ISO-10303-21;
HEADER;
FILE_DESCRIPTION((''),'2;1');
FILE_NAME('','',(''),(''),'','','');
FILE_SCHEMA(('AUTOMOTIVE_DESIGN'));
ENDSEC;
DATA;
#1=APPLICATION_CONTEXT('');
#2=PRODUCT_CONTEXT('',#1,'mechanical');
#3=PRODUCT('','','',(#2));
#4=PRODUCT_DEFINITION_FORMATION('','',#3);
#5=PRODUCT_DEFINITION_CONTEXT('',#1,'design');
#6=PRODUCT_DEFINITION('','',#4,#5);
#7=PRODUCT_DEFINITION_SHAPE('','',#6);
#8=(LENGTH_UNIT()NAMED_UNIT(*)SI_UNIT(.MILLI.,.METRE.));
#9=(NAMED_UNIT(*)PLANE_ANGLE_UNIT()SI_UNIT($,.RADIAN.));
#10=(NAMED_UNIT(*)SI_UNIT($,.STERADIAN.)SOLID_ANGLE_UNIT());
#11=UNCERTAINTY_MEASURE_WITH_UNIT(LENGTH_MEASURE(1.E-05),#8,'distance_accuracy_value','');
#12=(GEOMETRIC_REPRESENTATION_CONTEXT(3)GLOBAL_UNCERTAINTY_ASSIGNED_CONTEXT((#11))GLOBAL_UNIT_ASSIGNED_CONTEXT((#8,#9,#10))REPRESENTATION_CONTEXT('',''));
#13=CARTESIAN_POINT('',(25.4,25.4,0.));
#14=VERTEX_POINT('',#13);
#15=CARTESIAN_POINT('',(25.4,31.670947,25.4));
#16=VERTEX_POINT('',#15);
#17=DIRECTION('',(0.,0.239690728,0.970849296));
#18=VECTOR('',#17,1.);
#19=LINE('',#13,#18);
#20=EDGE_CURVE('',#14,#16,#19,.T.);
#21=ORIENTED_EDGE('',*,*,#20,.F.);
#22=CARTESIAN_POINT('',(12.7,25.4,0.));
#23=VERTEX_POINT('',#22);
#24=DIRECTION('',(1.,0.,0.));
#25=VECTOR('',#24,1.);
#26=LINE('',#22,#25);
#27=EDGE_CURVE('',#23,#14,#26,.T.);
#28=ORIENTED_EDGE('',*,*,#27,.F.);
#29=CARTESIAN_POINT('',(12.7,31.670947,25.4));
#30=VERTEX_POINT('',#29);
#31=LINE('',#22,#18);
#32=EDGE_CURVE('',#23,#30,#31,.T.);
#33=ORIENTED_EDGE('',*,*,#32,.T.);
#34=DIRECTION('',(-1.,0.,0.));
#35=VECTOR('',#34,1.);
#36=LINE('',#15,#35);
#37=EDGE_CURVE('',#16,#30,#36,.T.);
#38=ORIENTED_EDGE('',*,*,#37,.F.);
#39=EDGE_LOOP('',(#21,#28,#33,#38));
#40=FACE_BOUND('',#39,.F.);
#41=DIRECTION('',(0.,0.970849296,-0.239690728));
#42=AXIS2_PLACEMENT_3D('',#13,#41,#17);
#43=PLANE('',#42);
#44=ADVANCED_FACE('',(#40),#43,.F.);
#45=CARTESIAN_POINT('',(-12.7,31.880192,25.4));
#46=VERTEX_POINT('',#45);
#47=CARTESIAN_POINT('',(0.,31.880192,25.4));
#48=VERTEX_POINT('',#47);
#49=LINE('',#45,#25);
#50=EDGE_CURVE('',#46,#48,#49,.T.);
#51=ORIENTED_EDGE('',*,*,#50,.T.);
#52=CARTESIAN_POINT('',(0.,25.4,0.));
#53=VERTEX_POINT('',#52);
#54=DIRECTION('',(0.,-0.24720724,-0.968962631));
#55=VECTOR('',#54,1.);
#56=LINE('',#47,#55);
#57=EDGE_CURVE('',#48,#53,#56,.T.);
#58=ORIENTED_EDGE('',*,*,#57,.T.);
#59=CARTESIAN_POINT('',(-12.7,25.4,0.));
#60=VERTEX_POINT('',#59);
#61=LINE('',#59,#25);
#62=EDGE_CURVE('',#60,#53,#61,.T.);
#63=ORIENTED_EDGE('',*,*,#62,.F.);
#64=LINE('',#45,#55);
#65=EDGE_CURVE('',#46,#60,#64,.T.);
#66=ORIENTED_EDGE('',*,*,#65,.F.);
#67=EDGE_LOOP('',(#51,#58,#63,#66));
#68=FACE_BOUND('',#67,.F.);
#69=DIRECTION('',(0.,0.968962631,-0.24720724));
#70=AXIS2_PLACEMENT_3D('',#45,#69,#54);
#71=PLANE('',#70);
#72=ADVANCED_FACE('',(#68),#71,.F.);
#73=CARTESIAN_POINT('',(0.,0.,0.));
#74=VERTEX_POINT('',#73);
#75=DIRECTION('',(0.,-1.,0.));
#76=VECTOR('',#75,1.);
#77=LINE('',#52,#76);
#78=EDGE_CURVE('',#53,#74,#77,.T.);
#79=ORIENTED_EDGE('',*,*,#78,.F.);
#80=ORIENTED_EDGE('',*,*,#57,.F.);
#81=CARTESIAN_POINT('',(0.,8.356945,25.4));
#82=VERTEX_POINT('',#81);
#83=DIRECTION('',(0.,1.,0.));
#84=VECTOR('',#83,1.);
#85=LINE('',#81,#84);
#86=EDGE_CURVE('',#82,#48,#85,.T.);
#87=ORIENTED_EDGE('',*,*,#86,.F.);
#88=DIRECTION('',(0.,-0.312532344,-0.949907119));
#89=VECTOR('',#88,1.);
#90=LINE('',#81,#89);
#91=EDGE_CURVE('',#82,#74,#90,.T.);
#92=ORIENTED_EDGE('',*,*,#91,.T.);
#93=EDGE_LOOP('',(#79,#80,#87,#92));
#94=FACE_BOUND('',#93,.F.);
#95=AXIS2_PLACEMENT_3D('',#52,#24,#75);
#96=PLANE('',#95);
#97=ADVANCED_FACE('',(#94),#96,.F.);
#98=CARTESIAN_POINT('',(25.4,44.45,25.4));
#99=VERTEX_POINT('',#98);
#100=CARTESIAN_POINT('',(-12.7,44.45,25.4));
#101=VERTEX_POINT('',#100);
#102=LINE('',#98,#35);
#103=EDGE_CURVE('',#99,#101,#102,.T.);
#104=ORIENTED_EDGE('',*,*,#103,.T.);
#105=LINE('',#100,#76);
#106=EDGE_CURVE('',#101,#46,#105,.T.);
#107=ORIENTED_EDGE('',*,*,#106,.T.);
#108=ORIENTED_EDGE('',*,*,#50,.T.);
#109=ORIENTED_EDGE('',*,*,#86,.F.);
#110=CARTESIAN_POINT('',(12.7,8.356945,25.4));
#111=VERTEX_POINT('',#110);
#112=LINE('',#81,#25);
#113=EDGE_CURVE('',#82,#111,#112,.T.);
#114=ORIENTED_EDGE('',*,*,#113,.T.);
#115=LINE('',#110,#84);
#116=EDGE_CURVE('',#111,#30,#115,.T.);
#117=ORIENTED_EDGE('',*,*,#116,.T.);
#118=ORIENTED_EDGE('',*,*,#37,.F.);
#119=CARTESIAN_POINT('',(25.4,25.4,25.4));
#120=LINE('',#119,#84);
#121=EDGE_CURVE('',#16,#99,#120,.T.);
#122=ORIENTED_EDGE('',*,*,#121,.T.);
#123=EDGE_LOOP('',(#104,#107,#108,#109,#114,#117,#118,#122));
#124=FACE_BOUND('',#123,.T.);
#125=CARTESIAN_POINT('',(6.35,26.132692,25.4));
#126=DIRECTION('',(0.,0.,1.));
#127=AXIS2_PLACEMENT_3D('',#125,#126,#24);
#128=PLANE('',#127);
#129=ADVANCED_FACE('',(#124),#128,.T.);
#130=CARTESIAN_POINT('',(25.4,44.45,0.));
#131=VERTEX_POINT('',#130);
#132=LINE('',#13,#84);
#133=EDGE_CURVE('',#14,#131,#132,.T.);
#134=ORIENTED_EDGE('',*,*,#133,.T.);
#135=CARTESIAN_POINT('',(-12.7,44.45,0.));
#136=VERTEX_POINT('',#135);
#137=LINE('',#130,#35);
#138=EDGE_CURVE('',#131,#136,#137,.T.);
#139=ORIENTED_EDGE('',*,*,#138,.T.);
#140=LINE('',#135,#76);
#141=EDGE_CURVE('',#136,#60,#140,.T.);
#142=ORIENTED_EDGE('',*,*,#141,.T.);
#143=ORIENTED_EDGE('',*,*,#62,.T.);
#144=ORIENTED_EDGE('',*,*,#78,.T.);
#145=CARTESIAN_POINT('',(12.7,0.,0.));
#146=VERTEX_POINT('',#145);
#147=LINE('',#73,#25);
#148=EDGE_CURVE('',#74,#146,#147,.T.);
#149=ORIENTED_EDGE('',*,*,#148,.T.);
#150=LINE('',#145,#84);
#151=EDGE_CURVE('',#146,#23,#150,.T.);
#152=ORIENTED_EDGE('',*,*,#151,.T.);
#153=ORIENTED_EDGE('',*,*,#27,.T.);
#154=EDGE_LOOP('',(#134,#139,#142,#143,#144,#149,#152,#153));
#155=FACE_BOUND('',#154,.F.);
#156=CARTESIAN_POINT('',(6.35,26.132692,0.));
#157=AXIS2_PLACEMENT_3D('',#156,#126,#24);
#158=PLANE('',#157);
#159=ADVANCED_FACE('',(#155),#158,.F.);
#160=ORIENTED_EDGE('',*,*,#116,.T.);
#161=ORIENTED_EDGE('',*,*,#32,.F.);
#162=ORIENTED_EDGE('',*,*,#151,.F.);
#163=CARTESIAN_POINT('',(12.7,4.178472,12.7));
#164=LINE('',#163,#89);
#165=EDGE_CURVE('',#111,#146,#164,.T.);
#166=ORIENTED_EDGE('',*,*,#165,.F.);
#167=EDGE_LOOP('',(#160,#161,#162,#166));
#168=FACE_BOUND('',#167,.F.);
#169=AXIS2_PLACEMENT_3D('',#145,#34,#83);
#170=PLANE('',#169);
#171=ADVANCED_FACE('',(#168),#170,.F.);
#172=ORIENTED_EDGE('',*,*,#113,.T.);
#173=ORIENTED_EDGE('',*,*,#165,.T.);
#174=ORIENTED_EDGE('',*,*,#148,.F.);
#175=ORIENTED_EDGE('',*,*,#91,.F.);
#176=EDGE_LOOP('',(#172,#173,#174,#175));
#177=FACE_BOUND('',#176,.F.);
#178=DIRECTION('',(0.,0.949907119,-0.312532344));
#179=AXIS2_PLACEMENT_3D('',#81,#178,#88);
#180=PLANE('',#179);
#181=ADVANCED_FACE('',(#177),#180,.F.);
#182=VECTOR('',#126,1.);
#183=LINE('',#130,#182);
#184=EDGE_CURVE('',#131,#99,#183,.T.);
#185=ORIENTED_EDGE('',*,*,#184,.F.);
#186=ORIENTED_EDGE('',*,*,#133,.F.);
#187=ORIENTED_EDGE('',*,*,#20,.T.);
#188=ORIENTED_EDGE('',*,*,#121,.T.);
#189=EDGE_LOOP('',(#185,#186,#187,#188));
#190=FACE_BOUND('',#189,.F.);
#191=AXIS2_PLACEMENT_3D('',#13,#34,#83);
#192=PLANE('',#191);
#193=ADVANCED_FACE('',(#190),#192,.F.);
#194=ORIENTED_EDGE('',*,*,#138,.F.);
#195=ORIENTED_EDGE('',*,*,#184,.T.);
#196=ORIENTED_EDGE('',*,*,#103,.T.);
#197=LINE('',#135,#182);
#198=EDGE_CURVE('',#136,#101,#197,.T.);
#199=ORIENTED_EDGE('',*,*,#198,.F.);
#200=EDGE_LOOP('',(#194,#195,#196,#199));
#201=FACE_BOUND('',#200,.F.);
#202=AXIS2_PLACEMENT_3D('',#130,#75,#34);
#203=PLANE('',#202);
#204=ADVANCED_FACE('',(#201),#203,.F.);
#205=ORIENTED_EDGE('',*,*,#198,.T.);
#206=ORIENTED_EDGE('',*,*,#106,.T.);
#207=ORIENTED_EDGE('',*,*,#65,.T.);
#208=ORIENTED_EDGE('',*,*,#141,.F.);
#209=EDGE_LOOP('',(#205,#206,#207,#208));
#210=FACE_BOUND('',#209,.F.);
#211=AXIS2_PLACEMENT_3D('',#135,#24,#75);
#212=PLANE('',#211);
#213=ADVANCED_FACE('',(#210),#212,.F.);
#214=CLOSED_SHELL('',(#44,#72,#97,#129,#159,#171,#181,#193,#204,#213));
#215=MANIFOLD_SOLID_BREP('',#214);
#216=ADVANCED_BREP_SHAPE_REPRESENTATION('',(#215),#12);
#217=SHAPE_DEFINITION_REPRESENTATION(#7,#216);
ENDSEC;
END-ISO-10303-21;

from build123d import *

# Parameters (mm, degrees)
F1_DEPTH = 25.4
F3_DEPTH = 25.4
F6_DEPTH = 12.7
F7_DEPTH = 12.7


with BuildPart() as f1:
    # F0 (on Top) → F1 (new body)
    with BuildSketch(Plane.XY):
        Polygon((0, 25.4), (0, 0), (12.7, 0), (12.7, 25.4), (25.4, 25.4), (25.4, 44.45), (-12.7, 44.45), (-12.7, 25.4), align=None)
    extrude(amount=F1_DEPTH)

    # F2 (on face) → F3 (cut)
    with BuildSketch(Plane(origin=(0, 0, 0), x_dir=(0, -1, 0), z_dir=(-1, 0, 0))):
        Polygon((-8.356945, 25.4), (0, 0), (0, 25.4), align=None)
    extrude(amount=-F3_DEPTH, mode=Mode.SUBTRACT)

    # F5 (on face) → F6 (cut)
    with BuildSketch(Plane.YZ.offset(25.4)):
        Polygon((25.4, 0), (31.670947, 25.4), (25.4, 25.4), align=None)
    extrude(amount=-F6_DEPTH, mode=Mode.SUBTRACT)

    # F4 (on face) → F7 (cut)
    with BuildSketch(Plane(origin=(-12.7, 0, 0), x_dir=(0, -1, 0), z_dir=(-1, 0, 0))):
        Polygon((-31.880192, 25.4), (-25.4, 0), (-25.4, 25.4), align=None)
    extrude(amount=-F7_DEPTH, mode=Mode.SUBTRACT)


solid = f1.part
